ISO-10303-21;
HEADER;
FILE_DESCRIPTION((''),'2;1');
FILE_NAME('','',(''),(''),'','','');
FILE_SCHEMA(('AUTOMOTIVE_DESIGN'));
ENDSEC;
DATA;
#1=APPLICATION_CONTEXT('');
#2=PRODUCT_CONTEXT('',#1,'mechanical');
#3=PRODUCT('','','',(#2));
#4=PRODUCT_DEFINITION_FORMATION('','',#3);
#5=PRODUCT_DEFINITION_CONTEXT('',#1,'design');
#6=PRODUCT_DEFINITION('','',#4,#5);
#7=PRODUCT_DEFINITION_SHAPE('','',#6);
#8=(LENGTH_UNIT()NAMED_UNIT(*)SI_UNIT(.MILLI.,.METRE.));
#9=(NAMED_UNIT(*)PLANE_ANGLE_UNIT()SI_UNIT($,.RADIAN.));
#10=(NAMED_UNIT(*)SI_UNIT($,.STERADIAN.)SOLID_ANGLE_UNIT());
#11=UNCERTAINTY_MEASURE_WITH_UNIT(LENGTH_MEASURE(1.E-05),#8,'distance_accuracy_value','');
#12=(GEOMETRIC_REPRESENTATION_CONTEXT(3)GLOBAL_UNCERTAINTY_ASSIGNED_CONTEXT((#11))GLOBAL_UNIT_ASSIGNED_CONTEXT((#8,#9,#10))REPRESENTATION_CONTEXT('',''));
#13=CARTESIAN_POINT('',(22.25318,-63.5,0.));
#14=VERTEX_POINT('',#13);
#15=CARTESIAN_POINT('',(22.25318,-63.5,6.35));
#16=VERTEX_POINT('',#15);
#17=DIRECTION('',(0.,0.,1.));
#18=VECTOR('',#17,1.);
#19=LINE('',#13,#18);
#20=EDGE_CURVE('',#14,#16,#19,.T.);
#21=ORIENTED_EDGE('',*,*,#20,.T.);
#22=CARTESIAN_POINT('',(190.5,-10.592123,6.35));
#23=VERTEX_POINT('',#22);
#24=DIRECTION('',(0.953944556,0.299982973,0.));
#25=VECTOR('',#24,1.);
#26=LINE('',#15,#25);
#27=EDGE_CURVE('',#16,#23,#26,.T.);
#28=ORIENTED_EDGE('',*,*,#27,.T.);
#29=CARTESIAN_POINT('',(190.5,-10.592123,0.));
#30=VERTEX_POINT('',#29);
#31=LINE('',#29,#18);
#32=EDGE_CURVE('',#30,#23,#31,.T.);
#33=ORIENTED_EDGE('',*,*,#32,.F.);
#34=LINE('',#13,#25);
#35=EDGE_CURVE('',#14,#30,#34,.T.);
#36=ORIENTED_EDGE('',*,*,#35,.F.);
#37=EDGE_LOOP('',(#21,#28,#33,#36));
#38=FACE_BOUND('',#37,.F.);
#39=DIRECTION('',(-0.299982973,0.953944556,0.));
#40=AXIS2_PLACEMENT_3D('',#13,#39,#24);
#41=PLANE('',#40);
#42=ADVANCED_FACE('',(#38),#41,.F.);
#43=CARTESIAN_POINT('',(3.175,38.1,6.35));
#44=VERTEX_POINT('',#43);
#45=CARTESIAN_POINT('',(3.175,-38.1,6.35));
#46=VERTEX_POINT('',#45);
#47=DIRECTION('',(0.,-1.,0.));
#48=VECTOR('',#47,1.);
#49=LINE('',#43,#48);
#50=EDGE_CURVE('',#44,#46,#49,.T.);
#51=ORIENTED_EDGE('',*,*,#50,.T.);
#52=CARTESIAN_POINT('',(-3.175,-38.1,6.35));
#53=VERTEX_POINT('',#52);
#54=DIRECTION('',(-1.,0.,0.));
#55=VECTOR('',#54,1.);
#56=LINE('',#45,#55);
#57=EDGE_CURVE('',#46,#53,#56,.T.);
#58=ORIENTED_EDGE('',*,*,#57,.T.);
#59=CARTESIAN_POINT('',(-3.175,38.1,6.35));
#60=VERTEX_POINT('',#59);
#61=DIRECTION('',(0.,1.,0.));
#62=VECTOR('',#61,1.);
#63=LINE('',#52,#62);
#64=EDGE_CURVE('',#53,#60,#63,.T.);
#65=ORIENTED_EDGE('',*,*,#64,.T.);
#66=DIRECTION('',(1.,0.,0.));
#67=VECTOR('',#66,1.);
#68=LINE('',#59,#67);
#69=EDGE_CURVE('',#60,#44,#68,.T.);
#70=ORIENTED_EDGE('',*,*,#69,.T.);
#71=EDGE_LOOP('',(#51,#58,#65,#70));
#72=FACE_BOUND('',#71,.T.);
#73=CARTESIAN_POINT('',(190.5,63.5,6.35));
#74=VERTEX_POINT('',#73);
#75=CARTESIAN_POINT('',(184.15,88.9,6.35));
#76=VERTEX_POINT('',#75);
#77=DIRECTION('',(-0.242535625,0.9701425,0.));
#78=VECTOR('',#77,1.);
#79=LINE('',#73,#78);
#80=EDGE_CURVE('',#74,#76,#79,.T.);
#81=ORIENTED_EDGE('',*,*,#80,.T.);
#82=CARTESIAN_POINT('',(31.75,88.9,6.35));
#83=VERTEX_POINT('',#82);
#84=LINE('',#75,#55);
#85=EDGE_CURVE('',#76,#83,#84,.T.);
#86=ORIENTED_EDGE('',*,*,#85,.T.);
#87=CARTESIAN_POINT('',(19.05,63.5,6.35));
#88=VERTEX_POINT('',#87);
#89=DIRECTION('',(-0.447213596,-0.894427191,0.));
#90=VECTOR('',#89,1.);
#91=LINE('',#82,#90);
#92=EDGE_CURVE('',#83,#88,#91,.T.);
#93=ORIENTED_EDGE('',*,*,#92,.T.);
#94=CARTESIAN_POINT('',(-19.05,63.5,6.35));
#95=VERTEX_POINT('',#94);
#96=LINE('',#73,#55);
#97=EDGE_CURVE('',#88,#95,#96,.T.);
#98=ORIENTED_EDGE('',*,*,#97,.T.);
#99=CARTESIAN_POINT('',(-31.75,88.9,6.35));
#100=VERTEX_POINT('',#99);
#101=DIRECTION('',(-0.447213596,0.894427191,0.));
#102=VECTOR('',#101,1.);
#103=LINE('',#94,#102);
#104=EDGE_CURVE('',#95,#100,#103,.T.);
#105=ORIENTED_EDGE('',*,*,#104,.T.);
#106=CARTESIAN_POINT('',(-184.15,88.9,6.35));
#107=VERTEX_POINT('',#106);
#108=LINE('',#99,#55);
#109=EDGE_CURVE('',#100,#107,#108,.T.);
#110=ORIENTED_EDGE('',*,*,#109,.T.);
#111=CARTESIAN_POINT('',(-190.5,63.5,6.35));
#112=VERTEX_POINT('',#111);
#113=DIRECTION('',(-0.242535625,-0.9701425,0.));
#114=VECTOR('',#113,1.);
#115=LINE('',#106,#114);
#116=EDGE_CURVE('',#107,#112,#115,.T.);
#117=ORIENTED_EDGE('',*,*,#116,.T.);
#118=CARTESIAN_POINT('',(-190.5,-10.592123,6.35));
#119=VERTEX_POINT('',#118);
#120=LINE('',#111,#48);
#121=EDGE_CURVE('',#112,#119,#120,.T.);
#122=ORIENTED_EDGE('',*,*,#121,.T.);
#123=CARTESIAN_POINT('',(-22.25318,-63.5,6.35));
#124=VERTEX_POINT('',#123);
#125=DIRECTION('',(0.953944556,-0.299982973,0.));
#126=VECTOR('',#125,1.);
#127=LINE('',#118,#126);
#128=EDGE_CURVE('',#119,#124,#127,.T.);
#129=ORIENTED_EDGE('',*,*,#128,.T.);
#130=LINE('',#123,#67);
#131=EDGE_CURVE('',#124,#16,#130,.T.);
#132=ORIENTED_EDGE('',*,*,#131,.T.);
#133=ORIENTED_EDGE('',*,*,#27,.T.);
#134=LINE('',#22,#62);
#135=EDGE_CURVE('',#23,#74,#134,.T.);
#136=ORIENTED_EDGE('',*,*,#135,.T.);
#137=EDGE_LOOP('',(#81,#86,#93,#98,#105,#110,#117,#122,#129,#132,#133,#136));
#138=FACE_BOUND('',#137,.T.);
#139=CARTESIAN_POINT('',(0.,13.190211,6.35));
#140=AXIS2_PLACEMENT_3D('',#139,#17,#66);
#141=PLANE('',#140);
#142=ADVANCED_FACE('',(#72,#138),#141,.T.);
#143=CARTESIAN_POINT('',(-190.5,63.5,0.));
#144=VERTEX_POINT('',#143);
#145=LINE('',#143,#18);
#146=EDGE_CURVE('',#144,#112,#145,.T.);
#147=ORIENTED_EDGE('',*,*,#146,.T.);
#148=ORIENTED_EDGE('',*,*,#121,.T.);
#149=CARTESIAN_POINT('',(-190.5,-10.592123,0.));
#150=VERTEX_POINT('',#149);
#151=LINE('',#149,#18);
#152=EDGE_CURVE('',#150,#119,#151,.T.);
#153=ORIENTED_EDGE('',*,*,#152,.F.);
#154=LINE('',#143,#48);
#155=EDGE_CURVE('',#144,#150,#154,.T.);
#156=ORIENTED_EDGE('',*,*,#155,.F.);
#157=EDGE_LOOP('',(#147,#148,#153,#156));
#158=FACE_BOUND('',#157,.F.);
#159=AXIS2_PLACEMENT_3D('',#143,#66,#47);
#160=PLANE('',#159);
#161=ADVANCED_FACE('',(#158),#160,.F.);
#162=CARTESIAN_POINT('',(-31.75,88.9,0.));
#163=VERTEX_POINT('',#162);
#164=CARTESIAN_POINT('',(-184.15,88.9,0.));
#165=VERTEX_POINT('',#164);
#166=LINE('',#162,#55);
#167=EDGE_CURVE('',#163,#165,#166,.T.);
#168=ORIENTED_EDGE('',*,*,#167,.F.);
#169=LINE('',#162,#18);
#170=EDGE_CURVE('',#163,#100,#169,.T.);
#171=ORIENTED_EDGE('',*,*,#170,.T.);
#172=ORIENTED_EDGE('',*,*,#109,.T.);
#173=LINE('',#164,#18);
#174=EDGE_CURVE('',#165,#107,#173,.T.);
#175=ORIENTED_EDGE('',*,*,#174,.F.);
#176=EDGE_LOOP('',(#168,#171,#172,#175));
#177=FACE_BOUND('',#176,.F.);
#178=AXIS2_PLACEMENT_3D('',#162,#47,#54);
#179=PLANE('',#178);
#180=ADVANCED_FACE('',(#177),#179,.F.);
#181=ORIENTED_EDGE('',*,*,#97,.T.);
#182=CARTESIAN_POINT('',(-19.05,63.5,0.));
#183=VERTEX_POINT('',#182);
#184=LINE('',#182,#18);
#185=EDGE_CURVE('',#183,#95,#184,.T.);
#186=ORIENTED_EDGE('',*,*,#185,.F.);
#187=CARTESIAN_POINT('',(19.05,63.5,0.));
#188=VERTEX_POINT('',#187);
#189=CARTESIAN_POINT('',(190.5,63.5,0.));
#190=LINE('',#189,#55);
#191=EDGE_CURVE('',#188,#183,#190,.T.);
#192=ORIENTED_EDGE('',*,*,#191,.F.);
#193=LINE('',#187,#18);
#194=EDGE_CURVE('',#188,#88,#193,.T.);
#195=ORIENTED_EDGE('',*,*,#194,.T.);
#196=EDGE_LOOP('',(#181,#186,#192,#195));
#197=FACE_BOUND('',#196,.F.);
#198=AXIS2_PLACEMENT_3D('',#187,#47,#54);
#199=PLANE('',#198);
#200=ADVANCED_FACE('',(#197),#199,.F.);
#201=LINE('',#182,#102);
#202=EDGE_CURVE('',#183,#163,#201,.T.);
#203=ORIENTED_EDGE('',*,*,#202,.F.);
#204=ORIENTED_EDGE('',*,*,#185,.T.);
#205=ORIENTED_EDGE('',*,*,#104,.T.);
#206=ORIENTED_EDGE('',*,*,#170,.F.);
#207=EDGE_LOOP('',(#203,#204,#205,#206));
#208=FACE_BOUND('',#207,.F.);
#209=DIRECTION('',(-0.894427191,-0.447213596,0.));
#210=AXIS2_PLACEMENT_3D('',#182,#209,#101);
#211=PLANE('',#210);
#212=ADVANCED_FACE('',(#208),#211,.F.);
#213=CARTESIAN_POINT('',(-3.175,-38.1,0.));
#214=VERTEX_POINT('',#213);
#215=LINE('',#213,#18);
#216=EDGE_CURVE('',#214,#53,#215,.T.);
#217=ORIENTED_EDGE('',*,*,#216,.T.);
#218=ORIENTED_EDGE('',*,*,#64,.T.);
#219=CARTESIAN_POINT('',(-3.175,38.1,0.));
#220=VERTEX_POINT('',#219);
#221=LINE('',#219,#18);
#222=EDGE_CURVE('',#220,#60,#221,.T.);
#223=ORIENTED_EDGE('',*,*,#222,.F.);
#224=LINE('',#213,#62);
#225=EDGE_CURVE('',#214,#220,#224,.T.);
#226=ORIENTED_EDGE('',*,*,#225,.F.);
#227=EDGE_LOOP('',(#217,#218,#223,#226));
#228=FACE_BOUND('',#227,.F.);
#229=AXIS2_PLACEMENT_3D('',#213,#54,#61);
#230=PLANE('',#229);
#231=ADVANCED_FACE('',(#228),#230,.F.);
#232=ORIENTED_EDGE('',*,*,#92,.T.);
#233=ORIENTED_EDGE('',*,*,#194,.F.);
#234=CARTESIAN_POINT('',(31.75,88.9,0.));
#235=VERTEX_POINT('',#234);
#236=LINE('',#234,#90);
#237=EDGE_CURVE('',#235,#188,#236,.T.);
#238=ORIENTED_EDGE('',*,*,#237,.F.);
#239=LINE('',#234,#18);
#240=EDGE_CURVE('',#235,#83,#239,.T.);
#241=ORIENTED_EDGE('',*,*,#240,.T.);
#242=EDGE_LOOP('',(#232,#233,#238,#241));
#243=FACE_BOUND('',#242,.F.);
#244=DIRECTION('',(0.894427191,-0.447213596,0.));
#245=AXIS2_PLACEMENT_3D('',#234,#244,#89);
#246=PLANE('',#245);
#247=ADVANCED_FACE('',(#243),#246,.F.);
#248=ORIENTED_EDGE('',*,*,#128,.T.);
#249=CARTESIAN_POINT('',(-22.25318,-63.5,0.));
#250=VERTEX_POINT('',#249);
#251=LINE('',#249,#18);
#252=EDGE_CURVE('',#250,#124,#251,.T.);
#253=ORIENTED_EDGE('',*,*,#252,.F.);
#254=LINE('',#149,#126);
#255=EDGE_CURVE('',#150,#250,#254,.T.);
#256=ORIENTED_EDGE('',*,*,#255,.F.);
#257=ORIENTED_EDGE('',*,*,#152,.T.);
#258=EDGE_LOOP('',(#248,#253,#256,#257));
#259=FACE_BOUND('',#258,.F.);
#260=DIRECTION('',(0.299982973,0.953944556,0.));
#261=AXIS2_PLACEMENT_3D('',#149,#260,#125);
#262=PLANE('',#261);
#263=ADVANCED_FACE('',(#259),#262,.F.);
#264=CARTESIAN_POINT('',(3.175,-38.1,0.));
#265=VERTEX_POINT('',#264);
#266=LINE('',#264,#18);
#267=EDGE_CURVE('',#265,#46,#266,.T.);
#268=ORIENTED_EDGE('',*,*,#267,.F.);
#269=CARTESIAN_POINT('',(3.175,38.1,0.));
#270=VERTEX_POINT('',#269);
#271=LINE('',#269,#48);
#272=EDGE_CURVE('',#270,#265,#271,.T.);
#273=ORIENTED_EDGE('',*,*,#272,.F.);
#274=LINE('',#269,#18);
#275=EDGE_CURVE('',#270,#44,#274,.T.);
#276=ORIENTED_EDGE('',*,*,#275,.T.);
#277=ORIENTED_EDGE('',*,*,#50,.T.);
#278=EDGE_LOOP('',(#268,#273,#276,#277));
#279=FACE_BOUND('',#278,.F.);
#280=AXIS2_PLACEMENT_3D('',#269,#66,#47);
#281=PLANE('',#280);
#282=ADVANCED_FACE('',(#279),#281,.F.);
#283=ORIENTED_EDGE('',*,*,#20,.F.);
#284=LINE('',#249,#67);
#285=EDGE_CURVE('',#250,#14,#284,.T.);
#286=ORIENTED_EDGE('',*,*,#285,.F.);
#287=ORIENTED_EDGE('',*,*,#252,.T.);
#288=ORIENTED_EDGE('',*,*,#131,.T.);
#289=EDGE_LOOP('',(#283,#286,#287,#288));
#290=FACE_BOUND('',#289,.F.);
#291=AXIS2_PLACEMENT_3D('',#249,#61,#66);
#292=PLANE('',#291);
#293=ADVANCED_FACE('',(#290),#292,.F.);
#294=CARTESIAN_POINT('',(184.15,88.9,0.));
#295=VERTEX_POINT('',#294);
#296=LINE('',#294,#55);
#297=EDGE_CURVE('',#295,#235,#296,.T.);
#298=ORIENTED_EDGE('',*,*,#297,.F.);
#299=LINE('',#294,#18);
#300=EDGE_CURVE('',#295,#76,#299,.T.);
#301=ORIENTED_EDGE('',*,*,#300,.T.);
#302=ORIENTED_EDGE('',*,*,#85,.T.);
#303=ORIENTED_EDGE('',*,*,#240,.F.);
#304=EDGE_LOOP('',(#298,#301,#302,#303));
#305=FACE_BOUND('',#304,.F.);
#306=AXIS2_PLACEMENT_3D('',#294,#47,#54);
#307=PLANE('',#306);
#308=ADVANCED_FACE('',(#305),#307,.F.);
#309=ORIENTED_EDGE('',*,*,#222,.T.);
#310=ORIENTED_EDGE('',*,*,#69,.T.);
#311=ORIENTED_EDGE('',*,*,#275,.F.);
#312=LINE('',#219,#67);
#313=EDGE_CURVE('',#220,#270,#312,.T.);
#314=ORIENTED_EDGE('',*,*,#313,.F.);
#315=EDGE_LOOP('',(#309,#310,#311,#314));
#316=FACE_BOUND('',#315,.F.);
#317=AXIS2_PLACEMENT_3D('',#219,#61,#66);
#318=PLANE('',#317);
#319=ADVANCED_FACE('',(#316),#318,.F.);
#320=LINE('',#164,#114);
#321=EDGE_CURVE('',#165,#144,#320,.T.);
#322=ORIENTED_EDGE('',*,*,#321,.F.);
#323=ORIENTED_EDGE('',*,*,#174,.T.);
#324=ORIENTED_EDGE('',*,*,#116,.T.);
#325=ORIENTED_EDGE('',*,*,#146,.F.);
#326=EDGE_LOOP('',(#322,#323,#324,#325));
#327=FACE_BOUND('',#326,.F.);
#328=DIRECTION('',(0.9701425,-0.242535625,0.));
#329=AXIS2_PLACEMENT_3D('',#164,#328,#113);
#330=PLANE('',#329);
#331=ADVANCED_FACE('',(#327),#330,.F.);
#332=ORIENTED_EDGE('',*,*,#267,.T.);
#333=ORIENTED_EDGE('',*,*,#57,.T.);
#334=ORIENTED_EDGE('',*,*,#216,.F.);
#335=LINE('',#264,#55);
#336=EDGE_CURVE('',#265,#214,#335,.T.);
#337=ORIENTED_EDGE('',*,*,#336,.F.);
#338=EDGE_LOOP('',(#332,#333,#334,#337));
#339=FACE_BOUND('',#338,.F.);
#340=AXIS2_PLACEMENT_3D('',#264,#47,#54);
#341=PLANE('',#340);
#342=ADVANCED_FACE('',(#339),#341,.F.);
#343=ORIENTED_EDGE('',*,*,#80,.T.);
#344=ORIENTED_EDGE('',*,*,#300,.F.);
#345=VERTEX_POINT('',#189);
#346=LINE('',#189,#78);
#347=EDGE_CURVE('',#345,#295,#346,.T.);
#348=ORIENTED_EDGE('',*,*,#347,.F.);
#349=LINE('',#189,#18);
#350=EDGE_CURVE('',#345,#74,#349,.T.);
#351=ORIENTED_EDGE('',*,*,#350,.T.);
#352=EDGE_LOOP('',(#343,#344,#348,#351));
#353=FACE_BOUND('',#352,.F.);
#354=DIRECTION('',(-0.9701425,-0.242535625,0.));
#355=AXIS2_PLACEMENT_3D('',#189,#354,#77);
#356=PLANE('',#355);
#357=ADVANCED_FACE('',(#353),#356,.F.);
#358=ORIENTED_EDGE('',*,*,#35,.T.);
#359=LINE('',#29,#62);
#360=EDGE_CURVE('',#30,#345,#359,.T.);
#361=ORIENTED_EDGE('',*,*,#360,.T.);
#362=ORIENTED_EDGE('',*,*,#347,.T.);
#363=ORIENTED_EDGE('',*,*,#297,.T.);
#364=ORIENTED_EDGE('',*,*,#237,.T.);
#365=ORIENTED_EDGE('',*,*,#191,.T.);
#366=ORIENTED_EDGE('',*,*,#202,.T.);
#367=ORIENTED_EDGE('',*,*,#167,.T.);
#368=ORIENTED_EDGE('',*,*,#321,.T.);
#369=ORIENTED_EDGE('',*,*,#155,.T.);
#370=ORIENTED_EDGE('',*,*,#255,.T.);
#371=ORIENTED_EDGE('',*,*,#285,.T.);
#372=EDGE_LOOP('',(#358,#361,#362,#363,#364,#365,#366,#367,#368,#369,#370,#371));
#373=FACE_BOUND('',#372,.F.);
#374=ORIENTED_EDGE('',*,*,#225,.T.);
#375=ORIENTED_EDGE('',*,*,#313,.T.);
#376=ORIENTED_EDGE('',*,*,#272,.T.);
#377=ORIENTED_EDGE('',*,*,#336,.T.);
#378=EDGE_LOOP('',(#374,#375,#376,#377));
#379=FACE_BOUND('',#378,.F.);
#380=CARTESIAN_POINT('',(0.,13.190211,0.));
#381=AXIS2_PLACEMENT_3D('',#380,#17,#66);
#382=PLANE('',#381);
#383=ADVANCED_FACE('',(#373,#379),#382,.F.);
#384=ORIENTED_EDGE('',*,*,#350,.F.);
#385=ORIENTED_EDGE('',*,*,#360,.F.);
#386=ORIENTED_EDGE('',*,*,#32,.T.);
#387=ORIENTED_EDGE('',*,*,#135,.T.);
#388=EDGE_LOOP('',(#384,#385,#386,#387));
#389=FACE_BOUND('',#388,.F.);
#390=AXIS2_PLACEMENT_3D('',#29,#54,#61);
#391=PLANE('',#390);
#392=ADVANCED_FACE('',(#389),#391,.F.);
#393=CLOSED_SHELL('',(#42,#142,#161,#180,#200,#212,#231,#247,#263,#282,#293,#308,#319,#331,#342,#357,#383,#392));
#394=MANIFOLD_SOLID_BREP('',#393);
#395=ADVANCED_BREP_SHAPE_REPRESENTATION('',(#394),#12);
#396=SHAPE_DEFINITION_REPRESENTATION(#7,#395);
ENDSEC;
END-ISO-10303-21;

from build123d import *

# Parameters (mm, degrees)
F1_DEPTH = 6.35


with BuildPart() as f1:
    # F0 (on Top) → F1 (new body)
    with BuildSketch(Plane.XY):
        Polygon((-190.5, 63.5), (-190.5, -10.592123), (-22.25318, -63.5), (0, -63.5), (22.25318, -63.5), (190.5, -10.592123), (190.5, 63.5), (19.05, 63.5), (0, 63.5), (-19.05, 63.5), align=None)
        Polygon((3.175, -38.1), (0, -38.1), (-3.175, -38.1), (-3.175, 38.1), (0, 38.1), (3.175, 38.1), align=None, mode=Mode.SUBTRACT)
        Polygon((-184.15, 88.9), (-190.5, 63.5), (-19.05, 63.5), (-31.75, 88.9), align=None)
        Polygon((31.75, 88.9), (19.05, 63.5), (190.5, 63.5), (184.15, 88.9), align=None)
    extrude(amount=F1_DEPTH)


solid = f1.part
